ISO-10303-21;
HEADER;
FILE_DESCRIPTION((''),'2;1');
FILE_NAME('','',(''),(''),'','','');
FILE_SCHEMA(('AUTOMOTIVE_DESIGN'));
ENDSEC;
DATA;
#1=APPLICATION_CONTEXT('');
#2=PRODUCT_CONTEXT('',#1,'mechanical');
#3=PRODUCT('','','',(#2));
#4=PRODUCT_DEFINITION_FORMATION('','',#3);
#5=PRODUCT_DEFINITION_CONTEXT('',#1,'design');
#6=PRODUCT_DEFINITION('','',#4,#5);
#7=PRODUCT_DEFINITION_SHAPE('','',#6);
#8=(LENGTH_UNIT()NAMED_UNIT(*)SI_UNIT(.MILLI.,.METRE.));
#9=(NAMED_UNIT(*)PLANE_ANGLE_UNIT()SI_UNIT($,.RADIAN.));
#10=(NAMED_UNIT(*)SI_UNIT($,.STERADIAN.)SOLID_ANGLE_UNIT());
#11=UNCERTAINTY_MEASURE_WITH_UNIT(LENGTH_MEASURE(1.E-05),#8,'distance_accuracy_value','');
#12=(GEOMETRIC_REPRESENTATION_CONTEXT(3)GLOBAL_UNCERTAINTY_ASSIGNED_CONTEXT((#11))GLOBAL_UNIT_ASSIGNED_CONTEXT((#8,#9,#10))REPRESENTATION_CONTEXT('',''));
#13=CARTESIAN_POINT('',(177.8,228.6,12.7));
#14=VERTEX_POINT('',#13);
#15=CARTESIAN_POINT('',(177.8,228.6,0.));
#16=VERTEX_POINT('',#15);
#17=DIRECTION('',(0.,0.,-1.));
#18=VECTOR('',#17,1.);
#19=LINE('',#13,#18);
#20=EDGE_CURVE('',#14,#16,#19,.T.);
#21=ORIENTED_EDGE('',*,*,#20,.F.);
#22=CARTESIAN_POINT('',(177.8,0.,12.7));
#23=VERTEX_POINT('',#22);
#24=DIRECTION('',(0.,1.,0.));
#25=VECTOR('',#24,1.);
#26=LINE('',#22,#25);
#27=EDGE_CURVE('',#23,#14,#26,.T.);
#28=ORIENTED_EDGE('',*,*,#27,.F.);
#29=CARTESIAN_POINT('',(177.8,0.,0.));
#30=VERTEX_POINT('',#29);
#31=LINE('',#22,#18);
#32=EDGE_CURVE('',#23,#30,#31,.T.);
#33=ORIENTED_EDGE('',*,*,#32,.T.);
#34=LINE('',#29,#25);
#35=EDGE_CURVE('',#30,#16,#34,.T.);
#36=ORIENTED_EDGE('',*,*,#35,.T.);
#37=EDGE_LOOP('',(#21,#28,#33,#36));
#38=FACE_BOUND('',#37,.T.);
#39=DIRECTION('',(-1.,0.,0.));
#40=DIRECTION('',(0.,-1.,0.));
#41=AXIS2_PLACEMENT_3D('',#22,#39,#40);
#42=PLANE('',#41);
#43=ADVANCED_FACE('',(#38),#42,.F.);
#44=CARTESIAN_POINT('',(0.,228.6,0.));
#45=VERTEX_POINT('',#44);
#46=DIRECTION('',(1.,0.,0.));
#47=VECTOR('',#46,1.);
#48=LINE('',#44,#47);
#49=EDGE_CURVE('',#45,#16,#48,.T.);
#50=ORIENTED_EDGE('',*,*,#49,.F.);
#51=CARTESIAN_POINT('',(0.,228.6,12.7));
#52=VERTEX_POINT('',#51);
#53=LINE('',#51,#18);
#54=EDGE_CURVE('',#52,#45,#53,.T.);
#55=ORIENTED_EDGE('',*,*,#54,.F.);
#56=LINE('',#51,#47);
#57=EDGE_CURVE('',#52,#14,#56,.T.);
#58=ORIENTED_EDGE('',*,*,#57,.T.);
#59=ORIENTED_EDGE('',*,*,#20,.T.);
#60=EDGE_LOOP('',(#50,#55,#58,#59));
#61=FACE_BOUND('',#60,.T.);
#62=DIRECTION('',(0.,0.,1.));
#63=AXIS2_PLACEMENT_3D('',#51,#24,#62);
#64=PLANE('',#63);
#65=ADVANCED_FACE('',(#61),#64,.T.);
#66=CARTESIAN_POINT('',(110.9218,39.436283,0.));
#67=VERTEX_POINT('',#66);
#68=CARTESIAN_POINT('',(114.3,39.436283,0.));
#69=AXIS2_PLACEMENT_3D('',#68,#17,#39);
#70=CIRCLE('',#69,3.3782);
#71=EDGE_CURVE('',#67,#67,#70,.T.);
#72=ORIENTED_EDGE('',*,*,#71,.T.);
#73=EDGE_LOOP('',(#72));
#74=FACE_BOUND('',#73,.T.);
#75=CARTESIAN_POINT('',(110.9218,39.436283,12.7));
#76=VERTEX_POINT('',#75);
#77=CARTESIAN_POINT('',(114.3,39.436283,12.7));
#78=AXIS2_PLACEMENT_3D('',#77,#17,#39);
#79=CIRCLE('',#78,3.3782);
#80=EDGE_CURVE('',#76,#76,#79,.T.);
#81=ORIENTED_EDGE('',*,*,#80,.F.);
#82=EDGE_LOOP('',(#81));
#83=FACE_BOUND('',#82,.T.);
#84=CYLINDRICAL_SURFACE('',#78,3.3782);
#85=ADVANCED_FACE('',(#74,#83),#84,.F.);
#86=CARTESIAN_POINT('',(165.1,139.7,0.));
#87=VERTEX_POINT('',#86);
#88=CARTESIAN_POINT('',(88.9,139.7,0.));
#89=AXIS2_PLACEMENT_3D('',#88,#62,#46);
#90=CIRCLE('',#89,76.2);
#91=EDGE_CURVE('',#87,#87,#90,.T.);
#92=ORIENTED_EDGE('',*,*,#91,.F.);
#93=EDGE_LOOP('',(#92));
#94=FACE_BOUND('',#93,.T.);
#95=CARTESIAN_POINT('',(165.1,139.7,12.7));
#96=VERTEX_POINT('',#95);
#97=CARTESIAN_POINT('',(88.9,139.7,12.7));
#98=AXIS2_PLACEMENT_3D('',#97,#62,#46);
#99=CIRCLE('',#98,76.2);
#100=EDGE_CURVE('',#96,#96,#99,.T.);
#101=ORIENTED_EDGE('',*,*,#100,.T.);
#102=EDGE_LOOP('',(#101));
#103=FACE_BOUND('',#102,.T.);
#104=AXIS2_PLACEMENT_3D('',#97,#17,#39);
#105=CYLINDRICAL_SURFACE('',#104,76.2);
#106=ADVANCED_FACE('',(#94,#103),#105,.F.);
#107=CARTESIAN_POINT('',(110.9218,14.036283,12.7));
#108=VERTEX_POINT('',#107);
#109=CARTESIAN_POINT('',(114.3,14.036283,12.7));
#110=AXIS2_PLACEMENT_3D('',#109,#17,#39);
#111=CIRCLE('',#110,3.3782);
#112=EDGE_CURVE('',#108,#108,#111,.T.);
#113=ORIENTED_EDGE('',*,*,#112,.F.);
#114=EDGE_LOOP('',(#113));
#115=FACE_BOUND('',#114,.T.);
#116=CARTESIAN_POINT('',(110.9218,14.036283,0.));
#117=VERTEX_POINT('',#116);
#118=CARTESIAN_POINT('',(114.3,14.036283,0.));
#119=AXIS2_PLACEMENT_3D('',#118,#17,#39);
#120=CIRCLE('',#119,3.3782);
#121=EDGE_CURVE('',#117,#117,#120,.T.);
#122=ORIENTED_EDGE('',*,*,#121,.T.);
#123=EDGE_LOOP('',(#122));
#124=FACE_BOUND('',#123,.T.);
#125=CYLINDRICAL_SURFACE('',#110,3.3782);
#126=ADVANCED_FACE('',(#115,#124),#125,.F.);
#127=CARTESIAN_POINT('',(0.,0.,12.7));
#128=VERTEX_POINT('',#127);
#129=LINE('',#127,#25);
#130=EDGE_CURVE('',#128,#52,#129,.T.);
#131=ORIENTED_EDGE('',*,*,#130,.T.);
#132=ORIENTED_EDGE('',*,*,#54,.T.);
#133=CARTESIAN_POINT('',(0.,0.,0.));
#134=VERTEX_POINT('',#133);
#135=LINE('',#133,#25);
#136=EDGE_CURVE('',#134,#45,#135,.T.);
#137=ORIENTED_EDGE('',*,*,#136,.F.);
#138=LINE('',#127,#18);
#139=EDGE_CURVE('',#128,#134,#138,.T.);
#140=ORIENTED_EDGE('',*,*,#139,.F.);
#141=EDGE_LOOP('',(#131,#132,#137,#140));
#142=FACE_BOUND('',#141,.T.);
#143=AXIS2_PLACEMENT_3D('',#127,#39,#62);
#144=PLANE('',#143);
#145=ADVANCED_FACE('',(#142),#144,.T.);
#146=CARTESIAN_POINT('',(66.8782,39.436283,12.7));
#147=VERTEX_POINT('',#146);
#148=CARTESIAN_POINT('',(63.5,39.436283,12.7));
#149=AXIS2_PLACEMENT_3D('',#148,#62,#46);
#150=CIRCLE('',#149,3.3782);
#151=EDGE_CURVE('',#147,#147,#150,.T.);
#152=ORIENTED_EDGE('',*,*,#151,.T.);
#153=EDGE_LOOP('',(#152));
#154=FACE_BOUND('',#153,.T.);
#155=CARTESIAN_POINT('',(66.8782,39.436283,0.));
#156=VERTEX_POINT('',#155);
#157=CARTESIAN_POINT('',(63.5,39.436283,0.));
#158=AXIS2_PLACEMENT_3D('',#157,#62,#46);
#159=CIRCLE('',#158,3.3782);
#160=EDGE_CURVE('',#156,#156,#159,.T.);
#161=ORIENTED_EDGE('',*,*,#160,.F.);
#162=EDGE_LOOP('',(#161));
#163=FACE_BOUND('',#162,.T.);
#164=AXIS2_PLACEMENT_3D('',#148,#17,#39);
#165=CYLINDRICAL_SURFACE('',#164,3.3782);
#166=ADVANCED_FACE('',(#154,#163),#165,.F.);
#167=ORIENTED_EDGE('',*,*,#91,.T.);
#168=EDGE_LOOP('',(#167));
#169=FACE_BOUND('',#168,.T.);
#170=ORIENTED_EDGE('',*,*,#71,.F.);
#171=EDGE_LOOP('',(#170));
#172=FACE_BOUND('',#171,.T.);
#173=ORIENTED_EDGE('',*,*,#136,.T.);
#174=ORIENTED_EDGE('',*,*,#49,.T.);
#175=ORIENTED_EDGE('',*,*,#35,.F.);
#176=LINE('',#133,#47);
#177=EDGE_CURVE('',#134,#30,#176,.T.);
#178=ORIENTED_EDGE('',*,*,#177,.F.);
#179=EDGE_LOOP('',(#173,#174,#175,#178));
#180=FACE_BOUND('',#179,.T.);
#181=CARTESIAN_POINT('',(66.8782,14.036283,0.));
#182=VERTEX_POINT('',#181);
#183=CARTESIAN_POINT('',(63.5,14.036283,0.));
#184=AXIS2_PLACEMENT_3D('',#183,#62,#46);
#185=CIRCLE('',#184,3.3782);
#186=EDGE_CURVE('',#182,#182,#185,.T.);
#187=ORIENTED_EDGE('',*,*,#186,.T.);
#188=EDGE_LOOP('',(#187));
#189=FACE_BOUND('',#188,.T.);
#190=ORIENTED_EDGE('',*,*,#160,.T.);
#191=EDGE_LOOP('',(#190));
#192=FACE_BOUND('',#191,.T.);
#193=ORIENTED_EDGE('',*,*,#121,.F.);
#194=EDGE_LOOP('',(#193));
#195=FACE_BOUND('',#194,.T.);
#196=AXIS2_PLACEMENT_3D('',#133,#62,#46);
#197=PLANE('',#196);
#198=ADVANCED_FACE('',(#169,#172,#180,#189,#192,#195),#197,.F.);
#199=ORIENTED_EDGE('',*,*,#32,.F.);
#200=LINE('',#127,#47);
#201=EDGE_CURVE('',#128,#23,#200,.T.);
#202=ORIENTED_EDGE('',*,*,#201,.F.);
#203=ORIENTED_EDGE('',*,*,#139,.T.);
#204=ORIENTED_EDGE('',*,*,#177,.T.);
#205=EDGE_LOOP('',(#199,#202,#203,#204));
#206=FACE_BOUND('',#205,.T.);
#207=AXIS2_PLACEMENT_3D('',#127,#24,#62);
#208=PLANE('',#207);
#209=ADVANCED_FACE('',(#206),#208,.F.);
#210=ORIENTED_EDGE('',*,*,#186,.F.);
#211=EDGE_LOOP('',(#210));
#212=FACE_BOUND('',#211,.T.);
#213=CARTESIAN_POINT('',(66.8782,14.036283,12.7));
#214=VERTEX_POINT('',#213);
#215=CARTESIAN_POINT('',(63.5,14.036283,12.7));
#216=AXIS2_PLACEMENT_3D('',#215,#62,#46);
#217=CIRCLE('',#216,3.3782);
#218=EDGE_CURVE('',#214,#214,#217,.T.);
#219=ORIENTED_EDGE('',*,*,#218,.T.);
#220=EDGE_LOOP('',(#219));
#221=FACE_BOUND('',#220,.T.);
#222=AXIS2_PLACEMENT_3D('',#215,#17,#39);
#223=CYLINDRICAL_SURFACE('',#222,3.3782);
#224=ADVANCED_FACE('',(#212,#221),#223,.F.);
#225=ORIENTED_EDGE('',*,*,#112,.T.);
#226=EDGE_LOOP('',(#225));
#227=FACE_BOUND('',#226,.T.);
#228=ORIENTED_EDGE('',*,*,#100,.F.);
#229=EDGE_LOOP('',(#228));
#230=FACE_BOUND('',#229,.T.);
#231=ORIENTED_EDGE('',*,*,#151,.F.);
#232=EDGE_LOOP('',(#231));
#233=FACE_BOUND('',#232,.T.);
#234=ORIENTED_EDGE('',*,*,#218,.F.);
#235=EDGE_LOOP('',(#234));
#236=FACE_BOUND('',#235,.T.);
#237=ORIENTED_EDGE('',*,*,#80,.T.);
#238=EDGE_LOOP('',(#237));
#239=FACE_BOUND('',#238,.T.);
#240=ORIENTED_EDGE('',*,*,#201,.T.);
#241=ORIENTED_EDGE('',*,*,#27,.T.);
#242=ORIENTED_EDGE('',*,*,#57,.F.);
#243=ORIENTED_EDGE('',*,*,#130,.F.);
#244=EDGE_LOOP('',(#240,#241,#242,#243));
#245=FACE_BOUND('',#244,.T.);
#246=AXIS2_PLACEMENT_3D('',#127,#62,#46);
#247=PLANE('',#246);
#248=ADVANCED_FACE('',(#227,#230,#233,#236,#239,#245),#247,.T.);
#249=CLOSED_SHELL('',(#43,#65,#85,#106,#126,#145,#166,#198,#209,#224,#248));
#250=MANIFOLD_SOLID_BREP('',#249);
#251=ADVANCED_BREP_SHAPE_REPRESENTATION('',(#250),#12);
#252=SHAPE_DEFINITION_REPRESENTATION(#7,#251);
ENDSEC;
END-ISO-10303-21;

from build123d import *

# Parameters (mm, degrees)
SKETCH1_W           = 177.8
SKETCH1_H           = 228.6
SKETCH1_R           = 76.2
SKETCH1_R_2         = 3.3782
BOSS_EXTRUDE3_DEPTH = 12.7


with BuildPart() as part:
    # Sketch1 → Boss-Extrude3 (new body)
    with BuildSketch(Plane.XY):
        with Locations((88.9, 114.3)):
            Rectangle(SKETCH1_W, SKETCH1_H)
        with Locations((88.9, 139.7)):
            Circle(SKETCH1_R, mode=Mode.SUBTRACT)
        with Locations((63.5, 14.036283171)):
            Circle(SKETCH1_R_2, mode=Mode.SUBTRACT)
        with Locations((63.5, 39.436283171)):
            Circle(SKETCH1_R_2, mode=Mode.SUBTRACT)
        with Locations(Location((114.3, 14.036283171, 0), (0, 0, 180))):
            Circle(SKETCH1_R_2, mode=Mode.SUBTRACT)
        with Locations(Location((114.3, 39.436283171, 0), (0, 0, 180))):
            Circle(SKETCH1_R_2, mode=Mode.SUBTRACT)
    extrude(amount=BOSS_EXTRUDE3_DEPTH)


solid = part.part
